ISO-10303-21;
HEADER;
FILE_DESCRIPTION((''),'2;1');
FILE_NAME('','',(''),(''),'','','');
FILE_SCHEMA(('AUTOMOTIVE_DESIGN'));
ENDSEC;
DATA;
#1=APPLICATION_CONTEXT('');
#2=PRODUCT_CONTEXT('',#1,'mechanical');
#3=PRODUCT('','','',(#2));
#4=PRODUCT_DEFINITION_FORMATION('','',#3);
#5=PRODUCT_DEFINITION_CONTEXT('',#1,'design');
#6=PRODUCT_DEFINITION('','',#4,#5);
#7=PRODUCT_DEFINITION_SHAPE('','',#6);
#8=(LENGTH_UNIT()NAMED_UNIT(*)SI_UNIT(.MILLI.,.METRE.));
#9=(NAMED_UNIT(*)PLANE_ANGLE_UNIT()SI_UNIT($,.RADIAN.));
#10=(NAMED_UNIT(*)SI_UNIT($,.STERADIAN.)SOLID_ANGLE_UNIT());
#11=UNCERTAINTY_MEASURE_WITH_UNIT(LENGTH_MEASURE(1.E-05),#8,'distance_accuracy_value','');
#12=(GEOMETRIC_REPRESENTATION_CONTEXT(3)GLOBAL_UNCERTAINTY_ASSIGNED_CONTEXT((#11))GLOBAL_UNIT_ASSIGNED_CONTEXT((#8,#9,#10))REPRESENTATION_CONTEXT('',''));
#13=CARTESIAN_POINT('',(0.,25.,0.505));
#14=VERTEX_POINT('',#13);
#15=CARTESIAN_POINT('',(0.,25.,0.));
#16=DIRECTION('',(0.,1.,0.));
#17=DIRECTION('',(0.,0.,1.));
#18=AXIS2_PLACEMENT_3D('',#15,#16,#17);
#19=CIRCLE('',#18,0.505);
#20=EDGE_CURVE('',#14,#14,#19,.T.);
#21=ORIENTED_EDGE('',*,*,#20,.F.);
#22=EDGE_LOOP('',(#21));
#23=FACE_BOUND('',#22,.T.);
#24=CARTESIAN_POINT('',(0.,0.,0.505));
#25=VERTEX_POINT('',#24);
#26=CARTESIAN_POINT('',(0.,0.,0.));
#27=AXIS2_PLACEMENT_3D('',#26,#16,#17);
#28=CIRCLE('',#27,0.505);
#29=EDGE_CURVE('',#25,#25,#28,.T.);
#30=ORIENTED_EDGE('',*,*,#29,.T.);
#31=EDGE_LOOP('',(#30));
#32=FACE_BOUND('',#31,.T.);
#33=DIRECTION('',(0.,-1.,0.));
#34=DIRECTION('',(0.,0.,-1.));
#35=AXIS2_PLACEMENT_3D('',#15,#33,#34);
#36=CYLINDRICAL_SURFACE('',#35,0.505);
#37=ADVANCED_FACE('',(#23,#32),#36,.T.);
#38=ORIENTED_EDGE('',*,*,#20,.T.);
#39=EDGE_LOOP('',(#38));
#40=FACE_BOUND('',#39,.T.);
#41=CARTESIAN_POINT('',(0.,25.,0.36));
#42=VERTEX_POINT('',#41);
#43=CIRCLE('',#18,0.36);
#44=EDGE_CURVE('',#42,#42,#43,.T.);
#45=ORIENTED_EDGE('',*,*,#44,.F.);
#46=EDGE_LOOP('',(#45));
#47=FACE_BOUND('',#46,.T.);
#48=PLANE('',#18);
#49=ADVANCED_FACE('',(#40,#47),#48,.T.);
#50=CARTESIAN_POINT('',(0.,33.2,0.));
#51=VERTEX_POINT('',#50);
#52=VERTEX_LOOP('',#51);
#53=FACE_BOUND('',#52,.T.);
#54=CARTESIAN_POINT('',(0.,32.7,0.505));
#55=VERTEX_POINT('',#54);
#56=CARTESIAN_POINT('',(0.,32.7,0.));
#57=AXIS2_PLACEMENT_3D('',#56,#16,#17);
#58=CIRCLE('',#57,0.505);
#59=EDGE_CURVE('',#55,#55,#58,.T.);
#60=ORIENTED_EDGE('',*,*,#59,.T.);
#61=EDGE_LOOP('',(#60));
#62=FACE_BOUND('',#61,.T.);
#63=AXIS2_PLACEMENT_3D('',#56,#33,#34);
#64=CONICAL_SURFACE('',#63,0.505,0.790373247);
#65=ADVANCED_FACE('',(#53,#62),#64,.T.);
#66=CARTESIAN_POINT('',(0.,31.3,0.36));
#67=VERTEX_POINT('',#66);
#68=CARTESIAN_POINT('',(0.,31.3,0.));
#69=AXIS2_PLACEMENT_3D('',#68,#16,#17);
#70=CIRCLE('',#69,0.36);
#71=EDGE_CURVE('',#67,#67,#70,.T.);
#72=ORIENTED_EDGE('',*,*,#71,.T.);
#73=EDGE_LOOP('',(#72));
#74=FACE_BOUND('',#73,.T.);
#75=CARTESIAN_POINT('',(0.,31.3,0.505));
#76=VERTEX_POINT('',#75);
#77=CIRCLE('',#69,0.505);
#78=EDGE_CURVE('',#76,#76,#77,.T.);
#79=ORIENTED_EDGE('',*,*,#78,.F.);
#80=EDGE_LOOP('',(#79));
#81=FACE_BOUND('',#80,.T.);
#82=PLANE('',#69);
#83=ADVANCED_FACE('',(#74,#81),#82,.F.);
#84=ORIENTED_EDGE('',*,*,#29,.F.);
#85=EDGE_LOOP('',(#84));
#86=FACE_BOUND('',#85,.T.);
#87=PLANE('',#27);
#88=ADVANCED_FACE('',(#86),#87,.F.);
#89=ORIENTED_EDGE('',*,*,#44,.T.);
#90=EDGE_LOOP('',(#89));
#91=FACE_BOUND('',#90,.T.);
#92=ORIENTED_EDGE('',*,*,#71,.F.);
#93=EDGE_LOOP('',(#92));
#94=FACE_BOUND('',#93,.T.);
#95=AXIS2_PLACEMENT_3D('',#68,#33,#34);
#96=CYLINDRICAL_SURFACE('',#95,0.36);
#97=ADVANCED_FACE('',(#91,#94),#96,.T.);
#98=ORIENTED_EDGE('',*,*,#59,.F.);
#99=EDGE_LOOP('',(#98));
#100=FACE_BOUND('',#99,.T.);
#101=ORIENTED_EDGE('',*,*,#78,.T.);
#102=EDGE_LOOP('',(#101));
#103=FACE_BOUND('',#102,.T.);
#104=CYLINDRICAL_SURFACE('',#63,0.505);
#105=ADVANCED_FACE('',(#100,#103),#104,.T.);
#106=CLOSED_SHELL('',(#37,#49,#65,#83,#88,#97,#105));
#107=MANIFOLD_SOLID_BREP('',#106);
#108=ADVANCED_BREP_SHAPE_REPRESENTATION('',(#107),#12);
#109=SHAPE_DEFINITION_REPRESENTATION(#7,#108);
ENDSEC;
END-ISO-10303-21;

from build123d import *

# Parameters (mm, degrees)
SKETCH1_R           = 0.505
BOSS_EXTRUDE1_DEPTH = 25
SKETCH2_R           = 0.36
BOSS_EXTRUDE2_DEPTH = 6.3
SKETCH3_R           = 0.505
BOSS_EXTRUDE3_DEPTH = 1.4


with BuildPart() as part:
    # Sketch1 → Boss-Extrude1 (new body)
    with BuildSketch(Plane(origin=(0, 0, 0), x_dir=(1, 0, 0), z_dir=(0, 1, 0))):
        with Locations(Location((0, 0, 0), (0, 0, 270))):
            Circle(SKETCH1_R)
    extrude(amount=BOSS_EXTRUDE1_DEPTH)

    # Sketch2 → Boss-Extrude2 (add)
    with BuildSketch(Plane(origin=(0, 25, 0), x_dir=(1, 0, 0), z_dir=(0, 1, 0))):
        with Locations(Location((0, 0, 0), (0, 0, 270))):
            Circle(SKETCH2_R)
    extrude(amount=BOSS_EXTRUDE2_DEPTH)

    # Sketch3 → Boss-Extrude3 (add)
    with BuildSketch(Plane(origin=(0, 31.3, 0), x_dir=(1, 0, 0), z_dir=(0, 1, 0))):
        with Locations(Location((0, 0, 0), (0, 0, 270))):
            Circle(SKETCH3_R)
    extrude(amount=BOSS_EXTRUDE3_DEPTH)

    # Sketch4 → Revolve1 (revolve)
    with BuildSketch(Plane.XY, mode=Mode.PRIVATE) as revolve1_sk:
        Polygon((0, 32.7), (0, 33.2), (0.505, 32.7), align=None)
    revolve(revolve1_sk.sketch.rotate(Axis((0, 32.7, 0), (0, 1, 0)), 90), axis=Axis((0, 32.7, 0), (0, 1, 0)))


solid = part.part
